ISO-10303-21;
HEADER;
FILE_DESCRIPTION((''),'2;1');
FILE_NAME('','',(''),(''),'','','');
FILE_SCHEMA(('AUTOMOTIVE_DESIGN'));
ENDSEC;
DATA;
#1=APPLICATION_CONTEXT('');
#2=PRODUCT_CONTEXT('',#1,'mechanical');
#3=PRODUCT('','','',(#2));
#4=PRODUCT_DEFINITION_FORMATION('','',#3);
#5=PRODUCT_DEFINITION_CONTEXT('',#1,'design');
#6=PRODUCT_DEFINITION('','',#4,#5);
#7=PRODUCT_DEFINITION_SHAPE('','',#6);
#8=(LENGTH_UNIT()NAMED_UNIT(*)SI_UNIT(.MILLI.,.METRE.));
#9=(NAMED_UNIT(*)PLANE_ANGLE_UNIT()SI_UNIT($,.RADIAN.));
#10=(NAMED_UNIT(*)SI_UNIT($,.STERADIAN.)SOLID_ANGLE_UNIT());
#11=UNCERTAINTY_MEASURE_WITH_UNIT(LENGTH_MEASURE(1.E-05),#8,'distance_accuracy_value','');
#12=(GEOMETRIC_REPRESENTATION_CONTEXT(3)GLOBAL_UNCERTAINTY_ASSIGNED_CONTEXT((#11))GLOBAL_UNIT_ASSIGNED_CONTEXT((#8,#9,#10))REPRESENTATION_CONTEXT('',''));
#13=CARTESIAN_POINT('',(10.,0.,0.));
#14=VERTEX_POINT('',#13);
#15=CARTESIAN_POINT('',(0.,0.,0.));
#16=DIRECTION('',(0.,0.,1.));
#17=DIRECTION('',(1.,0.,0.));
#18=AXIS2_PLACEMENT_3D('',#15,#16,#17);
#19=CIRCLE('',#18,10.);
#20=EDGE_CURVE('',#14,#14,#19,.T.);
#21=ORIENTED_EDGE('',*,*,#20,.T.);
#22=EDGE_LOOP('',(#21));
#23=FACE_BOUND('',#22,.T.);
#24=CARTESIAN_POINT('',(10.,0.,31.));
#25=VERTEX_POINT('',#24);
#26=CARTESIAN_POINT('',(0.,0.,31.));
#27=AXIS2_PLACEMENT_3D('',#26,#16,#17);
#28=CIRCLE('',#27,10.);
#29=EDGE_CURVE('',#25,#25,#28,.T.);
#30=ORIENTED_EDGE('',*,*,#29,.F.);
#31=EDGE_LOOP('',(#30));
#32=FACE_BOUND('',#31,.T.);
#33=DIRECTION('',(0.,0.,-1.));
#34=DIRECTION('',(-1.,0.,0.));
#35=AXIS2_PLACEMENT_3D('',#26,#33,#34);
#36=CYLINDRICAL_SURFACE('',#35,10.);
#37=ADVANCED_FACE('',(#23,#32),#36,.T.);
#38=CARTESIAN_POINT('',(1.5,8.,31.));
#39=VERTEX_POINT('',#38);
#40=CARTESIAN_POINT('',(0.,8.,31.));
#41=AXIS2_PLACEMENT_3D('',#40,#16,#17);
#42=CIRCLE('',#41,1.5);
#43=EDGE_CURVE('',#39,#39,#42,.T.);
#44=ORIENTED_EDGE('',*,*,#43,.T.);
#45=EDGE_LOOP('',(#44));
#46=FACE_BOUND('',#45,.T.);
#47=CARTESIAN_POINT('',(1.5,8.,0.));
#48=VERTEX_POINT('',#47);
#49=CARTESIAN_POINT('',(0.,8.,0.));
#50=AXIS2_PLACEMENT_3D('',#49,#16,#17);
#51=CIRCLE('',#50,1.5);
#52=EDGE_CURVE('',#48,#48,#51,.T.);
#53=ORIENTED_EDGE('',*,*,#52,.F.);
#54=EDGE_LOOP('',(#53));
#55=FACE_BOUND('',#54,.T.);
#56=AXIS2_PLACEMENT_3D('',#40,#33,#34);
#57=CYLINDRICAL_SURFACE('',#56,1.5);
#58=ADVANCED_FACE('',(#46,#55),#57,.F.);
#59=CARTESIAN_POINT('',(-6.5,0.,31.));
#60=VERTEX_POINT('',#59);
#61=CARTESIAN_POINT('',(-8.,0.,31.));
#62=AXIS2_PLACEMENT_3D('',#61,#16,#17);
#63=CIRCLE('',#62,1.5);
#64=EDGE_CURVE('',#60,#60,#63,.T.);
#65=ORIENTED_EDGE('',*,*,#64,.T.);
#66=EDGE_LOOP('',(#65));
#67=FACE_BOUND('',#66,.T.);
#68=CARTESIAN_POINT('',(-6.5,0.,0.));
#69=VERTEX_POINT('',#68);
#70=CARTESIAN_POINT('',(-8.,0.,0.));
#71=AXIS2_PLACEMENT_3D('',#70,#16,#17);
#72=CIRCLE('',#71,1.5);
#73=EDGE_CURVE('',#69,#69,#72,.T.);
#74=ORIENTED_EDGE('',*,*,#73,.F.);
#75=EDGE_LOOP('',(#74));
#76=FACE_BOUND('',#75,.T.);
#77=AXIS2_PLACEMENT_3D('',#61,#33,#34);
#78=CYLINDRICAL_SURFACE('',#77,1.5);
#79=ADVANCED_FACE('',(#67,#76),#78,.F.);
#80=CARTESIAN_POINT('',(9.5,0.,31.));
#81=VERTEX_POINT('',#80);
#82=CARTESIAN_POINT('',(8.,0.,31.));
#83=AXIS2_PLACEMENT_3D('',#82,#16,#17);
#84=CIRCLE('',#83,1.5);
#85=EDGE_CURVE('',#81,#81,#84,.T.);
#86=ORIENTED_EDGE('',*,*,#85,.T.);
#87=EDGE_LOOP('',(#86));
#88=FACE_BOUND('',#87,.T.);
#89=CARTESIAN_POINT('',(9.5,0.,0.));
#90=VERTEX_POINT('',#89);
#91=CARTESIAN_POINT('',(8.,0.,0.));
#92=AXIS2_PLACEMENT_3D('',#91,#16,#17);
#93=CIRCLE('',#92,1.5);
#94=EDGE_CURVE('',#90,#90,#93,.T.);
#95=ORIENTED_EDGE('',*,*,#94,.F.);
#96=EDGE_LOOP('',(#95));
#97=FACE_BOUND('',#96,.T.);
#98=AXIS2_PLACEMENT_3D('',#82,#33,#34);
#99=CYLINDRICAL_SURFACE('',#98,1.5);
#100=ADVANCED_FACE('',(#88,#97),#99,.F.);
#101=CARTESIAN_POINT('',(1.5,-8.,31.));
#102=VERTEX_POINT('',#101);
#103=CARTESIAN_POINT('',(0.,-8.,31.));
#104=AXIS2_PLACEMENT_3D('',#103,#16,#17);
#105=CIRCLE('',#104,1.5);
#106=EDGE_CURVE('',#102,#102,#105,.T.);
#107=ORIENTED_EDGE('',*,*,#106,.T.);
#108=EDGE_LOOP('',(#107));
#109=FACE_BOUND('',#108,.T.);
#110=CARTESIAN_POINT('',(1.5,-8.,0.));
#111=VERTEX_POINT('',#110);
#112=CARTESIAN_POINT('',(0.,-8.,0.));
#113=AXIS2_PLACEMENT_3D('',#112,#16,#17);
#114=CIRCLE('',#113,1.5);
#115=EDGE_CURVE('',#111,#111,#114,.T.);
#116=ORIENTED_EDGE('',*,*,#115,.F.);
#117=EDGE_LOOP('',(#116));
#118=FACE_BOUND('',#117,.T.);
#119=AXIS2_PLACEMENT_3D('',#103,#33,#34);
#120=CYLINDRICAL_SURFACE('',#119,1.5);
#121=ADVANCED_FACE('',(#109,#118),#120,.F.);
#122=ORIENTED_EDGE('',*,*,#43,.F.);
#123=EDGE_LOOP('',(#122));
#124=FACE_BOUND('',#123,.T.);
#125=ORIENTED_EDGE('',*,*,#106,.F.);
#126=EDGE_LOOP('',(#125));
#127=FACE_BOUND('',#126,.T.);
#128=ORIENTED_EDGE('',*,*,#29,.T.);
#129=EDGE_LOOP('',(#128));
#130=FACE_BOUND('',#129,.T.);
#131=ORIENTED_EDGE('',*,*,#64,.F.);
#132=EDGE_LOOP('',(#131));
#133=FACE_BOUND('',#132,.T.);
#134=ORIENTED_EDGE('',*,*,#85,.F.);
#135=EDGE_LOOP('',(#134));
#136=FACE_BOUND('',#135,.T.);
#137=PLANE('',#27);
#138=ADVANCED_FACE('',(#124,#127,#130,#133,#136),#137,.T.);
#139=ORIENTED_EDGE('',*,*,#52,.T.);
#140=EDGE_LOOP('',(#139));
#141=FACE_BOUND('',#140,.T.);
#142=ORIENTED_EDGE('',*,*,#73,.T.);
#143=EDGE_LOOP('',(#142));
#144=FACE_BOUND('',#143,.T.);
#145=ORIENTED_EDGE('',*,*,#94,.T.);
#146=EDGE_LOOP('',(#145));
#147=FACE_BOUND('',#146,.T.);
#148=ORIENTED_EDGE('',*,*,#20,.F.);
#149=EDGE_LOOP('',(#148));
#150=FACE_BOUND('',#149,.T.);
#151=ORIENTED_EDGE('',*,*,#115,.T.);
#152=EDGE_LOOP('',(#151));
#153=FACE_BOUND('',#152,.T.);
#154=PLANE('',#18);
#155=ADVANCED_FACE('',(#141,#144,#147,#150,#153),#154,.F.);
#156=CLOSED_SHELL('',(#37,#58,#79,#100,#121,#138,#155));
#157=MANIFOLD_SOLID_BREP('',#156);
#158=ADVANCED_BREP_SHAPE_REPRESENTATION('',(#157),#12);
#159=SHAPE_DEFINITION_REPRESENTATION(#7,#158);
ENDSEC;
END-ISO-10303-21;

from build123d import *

# Parameters (mm, degrees)
SKIZZE1_R                       = 10
SKIZZE1_R_2                     = 1.5
AUFSATZ_LINEAR_AUSTRAGEN1_DEPTH = 31


with BuildPart() as part:
    # Skizze1 → Aufsatz-Linear austragen1 (new body)
    with BuildSketch(Plane.XY):
        Circle(SKIZZE1_R)
        with Locations((8, 0)):
            Circle(SKIZZE1_R_2, mode=Mode.SUBTRACT)
        with Locations((0, -8)):
            Circle(SKIZZE1_R_2, mode=Mode.SUBTRACT)
        with Locations((-8, 0)):
            Circle(SKIZZE1_R_2, mode=Mode.SUBTRACT)
        with Locations((0, 8)):
            Circle(SKIZZE1_R_2, mode=Mode.SUBTRACT)
    extrude(amount=AUFSATZ_LINEAR_AUSTRAGEN1_DEPTH)


solid = part.part
